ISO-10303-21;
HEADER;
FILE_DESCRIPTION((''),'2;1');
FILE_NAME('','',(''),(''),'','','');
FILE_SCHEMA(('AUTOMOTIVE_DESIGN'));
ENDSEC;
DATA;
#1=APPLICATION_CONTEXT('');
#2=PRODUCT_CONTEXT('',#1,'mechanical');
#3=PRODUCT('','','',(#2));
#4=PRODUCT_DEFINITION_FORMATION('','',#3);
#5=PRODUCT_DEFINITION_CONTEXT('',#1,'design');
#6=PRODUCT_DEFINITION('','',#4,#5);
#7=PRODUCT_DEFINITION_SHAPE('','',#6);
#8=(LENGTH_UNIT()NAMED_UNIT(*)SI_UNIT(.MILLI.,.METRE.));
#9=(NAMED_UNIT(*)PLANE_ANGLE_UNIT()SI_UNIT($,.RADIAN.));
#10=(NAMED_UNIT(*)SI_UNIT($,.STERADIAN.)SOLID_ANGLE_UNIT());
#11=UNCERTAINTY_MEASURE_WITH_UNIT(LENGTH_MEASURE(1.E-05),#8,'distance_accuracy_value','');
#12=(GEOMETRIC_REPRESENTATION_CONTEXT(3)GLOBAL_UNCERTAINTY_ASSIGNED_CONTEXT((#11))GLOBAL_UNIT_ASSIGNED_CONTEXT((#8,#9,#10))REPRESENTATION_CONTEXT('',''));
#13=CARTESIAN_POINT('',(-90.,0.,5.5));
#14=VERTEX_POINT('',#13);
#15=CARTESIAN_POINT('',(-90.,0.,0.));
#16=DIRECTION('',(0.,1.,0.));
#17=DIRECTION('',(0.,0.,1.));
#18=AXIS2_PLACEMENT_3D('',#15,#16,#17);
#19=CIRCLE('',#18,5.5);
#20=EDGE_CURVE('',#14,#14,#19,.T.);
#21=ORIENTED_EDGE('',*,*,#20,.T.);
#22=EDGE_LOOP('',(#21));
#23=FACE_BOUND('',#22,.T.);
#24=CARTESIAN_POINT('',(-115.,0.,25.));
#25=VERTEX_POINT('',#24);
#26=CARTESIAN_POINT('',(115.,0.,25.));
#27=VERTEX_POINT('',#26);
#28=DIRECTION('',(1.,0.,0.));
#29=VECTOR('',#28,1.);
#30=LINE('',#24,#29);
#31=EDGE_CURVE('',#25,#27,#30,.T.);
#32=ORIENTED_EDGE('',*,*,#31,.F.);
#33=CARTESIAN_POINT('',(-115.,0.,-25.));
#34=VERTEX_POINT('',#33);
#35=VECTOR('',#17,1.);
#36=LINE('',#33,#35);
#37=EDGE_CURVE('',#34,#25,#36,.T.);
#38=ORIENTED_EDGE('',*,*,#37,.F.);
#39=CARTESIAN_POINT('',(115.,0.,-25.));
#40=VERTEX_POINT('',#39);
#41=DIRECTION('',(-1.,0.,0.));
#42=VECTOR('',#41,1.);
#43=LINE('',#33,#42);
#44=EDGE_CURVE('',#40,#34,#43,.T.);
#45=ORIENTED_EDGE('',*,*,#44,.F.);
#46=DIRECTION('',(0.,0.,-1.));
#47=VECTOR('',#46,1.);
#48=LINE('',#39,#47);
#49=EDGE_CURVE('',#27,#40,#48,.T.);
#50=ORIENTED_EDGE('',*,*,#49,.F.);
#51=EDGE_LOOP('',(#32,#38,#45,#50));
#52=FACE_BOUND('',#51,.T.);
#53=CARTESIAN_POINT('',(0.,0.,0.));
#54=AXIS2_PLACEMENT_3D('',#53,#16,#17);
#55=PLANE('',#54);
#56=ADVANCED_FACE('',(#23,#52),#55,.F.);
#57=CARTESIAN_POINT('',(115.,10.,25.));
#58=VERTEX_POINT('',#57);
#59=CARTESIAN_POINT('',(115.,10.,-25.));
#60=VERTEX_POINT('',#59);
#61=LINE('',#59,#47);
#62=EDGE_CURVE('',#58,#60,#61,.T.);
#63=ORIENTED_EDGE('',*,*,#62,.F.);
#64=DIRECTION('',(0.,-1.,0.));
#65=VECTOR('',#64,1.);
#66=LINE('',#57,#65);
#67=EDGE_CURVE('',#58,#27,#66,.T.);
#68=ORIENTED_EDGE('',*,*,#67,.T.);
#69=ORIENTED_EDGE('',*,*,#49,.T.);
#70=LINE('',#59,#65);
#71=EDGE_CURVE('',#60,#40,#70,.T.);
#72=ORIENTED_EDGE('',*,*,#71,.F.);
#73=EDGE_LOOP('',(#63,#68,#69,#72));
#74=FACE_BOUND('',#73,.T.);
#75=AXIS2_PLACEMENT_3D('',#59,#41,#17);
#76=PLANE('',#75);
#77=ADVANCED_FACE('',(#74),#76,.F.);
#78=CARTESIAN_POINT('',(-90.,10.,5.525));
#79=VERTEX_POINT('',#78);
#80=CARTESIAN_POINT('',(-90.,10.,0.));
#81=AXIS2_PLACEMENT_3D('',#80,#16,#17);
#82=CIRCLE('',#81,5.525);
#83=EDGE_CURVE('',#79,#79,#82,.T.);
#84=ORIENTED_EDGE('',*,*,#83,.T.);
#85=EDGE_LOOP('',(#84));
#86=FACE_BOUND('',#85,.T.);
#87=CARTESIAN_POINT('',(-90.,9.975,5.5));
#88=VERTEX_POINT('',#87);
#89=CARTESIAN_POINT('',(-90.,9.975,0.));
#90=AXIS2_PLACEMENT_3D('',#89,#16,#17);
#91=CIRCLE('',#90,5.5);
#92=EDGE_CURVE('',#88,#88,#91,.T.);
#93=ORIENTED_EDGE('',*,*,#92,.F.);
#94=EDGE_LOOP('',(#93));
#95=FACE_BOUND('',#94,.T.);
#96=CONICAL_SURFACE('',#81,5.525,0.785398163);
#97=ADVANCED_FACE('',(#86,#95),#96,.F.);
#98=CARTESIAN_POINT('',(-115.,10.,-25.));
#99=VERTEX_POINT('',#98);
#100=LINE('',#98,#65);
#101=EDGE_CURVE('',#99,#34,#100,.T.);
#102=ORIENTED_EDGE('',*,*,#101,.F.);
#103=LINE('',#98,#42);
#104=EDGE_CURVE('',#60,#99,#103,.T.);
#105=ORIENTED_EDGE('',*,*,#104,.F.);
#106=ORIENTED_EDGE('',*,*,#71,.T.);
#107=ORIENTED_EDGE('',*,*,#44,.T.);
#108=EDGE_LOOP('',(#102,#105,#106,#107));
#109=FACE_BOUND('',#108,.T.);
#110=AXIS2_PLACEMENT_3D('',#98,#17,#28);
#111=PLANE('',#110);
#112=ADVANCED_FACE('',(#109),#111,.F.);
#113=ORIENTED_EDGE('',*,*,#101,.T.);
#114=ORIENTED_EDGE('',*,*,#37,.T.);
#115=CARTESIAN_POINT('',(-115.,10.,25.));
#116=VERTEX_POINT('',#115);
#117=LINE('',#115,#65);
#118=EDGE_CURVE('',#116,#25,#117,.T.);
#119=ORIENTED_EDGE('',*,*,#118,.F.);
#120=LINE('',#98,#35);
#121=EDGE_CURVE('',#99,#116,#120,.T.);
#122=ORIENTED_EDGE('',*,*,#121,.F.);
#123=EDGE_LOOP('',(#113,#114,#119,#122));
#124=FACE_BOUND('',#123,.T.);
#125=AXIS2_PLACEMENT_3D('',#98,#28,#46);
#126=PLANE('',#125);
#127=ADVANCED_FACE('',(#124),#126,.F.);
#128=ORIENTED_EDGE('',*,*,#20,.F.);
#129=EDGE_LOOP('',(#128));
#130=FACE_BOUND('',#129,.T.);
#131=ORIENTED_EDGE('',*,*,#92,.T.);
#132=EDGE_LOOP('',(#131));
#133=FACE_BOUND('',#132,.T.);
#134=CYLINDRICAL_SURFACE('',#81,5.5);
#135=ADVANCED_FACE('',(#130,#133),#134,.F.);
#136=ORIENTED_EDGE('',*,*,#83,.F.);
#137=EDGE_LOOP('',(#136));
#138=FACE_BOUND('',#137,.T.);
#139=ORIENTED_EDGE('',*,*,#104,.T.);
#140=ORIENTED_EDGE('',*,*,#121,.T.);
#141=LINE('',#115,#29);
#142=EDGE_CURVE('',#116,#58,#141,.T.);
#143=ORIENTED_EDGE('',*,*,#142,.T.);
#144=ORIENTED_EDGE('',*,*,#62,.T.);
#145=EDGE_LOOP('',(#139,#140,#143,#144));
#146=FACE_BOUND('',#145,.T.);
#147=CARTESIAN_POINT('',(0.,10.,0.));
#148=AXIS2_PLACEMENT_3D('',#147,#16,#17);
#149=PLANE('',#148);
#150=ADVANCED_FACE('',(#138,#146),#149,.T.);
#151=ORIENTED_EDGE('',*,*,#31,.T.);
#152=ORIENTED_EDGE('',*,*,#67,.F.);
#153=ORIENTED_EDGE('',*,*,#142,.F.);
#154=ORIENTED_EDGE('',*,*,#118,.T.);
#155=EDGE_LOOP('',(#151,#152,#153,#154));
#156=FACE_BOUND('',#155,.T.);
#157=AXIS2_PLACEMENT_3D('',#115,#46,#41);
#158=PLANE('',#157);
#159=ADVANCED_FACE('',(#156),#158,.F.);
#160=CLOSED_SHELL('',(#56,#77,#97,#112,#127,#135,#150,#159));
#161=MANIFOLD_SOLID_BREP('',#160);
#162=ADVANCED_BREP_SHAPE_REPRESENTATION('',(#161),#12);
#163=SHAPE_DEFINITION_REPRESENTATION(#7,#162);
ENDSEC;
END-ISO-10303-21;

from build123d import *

# Parameters (mm, degrees)
SKETCH1_W                       = 230
SKETCH1_H                       = 50
BOSS_EXTRUDE1_DEPTH             = 10
M10_CLEARANCE_HOLE1_D           = 11
M10_CLEARANCE_HOLE1_CSINK_D     = 11.05
M10_CLEARANCE_HOLE1_CSINK_ANGLE = 90


with BuildPart() as part:
    # Sketch1 → Boss-Extrude1 (new body)
    with BuildSketch(Plane(origin=(0, 0, 0), x_dir=(1, 0, 0), z_dir=(0, 1, 0))):
        Rectangle(SKETCH1_W, SKETCH1_H)
    extrude(amount=BOSS_EXTRUDE1_DEPTH)

    # M10 Clearance Hole1 (through all)
    with Locations(Plane(origin=(0, 10, 0), x_dir=(1, 0, 0), z_dir=(0, 1, 0))):
        with Locations((-90, 0)):
            CounterSinkHole(M10_CLEARANCE_HOLE1_D / 2, M10_CLEARANCE_HOLE1_CSINK_D / 2, counter_sink_angle=M10_CLEARANCE_HOLE1_CSINK_ANGLE)


solid = part.part
